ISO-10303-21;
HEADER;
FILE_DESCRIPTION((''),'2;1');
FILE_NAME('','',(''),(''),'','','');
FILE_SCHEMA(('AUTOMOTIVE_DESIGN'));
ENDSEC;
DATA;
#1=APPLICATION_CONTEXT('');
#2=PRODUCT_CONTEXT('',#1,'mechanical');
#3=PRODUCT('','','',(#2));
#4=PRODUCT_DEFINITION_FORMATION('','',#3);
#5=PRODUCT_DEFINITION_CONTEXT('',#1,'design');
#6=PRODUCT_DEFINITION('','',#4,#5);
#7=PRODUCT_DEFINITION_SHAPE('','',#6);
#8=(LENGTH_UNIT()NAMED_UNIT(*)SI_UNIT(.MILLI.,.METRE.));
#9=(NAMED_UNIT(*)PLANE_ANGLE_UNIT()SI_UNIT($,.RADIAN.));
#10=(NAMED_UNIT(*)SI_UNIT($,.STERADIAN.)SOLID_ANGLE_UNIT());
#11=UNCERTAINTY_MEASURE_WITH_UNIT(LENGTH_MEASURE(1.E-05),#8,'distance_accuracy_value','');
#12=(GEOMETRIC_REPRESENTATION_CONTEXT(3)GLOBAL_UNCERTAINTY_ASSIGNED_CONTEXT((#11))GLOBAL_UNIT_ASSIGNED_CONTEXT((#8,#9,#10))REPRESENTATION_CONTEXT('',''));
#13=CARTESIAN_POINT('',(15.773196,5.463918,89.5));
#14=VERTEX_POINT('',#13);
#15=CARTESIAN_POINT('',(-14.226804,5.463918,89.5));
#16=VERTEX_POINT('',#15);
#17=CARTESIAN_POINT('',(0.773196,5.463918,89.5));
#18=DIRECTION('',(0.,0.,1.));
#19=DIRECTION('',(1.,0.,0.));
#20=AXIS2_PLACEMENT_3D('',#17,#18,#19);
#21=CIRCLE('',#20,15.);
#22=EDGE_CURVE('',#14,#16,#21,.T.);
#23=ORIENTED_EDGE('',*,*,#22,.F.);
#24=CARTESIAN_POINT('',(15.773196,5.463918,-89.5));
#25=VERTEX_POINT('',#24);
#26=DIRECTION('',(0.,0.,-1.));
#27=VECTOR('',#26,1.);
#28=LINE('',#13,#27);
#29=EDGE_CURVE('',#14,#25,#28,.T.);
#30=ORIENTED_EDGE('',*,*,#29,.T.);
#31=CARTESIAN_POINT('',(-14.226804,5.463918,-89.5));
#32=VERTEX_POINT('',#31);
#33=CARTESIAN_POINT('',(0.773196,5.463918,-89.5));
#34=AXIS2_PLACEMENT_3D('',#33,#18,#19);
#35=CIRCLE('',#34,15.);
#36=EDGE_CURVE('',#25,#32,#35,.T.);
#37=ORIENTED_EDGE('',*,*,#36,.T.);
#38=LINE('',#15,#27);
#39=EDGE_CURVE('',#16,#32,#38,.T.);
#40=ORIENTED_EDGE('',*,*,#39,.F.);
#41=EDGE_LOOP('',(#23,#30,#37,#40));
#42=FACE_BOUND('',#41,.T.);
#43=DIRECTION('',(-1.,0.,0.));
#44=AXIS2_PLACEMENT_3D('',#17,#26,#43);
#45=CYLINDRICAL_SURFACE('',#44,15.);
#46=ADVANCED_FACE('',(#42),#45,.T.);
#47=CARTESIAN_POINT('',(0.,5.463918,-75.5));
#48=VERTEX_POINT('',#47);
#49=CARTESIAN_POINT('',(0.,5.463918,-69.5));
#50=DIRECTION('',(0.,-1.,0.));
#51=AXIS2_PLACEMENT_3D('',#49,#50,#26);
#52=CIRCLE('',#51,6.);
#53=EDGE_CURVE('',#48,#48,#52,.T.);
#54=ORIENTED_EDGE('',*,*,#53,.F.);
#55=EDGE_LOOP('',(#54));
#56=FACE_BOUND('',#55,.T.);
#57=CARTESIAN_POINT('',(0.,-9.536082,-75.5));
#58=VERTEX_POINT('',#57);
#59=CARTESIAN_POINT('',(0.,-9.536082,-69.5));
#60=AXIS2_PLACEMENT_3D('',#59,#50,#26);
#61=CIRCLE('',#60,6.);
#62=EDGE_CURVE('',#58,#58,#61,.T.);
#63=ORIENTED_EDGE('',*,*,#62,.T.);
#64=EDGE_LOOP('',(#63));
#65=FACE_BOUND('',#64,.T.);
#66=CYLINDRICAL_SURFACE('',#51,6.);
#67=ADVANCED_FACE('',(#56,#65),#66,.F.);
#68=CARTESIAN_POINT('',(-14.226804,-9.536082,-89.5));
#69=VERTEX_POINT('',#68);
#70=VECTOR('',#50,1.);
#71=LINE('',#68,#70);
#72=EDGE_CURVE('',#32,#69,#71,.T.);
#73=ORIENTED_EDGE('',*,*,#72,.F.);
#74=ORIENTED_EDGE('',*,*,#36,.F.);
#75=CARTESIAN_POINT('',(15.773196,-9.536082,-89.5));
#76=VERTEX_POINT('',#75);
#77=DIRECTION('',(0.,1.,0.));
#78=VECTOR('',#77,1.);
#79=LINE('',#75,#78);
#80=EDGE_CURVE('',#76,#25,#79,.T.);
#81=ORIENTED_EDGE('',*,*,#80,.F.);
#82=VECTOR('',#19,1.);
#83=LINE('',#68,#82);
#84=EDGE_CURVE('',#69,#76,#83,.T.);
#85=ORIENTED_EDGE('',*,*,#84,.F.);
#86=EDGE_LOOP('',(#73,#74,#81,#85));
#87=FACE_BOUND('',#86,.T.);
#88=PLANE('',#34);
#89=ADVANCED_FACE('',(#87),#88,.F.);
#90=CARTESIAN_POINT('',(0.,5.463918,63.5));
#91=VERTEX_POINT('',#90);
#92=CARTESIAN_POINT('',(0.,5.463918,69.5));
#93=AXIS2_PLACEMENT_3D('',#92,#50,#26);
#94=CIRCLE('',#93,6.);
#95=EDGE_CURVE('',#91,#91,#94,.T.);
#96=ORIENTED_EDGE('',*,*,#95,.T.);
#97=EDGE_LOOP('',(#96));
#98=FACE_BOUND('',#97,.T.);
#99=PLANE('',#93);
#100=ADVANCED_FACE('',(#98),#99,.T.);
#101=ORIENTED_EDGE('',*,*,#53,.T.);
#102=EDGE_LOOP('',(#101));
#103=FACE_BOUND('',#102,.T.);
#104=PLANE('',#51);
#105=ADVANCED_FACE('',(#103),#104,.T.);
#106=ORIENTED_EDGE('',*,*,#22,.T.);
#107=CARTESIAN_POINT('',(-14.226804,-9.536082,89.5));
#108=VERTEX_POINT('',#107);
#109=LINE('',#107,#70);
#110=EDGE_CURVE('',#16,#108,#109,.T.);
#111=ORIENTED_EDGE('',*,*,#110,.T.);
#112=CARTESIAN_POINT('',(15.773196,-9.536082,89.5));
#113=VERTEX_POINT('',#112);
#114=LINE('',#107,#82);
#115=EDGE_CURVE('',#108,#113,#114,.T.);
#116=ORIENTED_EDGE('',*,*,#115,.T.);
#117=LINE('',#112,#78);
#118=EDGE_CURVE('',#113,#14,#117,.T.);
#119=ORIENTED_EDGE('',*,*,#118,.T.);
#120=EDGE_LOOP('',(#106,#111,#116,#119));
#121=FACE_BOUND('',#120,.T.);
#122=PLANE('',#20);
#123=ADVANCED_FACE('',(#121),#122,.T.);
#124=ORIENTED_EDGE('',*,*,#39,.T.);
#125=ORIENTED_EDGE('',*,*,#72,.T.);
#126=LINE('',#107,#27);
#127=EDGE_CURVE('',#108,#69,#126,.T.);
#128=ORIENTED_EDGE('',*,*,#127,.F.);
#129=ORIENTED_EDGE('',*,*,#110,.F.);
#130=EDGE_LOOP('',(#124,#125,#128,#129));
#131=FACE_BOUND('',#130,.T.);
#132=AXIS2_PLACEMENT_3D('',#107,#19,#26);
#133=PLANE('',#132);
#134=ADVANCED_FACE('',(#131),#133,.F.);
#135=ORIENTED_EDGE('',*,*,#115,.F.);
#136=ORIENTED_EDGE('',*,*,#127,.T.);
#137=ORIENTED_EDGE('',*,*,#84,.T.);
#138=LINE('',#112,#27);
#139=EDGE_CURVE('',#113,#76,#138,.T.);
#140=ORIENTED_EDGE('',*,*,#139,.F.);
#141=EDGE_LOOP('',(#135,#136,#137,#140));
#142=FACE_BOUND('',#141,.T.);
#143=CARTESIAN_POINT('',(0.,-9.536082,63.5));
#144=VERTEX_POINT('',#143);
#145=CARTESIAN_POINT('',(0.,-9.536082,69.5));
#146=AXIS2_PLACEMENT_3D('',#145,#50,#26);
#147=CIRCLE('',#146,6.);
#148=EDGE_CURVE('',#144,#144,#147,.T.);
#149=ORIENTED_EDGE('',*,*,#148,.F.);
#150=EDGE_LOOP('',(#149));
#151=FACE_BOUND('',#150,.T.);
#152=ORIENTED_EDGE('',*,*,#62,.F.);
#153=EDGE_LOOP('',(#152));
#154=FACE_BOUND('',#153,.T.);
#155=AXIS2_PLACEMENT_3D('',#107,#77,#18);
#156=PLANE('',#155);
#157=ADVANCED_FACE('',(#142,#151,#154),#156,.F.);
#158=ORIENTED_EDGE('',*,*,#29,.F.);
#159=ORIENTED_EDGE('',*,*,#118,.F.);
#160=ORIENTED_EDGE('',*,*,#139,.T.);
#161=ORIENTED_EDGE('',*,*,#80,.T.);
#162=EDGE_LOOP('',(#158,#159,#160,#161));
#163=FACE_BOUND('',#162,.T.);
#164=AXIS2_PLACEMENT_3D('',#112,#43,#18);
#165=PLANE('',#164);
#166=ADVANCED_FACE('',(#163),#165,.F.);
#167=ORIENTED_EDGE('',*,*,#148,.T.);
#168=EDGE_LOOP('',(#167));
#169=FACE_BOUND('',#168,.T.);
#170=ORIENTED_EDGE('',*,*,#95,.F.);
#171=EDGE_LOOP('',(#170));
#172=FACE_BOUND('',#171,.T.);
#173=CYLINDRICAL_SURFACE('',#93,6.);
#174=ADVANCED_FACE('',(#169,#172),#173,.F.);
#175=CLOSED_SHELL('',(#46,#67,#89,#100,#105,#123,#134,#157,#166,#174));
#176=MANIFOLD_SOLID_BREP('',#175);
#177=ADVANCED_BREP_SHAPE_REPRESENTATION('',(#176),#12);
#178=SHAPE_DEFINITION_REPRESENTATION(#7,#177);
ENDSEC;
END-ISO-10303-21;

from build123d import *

# Parameters (mm, degrees)
SALIENTE_EXTRUIR1_DEPTH = 89.5
CROQUIS3_R              = 6
CORTAR_EXTRUIR1_DEPTH   = 15


with BuildPart() as part:
    # Croquis2 → Saliente-Extruir1 (new, symmetric)
    with BuildSketch(Plane.XY):
        with BuildLine():
            Line((-14.226804124, -9.536082474), (15.773195876, -9.536082474))
            Line((15.773195876, -9.536082474), (15.773195876, 5.463917526))
            ThreePointArc((15.773195876, 5.463917526), (0.773195876, 20.463917526), (-14.226804124, 5.463917526))
            Line((-14.226804124, 5.463917526), (-14.226804124, -9.536082474))
        make_face()
    extrude(amount=SALIENTE_EXTRUIR1_DEPTH, both=True)

    # Croquis3 → Cortar-Extruir1 (cut)
    with BuildSketch(Plane.XZ.offset(9.536082474)):
        with Locations(Location((0, 69.5, 0), (0, 0, 270))):
            Circle(CROQUIS3_R)
        with Locations(Location((0, -69.5, 0), (0, 0, 270))):
            Circle(CROQUIS3_R)
    extrude(amount=-CORTAR_EXTRUIR1_DEPTH, mode=Mode.SUBTRACT)


solid = part.part
